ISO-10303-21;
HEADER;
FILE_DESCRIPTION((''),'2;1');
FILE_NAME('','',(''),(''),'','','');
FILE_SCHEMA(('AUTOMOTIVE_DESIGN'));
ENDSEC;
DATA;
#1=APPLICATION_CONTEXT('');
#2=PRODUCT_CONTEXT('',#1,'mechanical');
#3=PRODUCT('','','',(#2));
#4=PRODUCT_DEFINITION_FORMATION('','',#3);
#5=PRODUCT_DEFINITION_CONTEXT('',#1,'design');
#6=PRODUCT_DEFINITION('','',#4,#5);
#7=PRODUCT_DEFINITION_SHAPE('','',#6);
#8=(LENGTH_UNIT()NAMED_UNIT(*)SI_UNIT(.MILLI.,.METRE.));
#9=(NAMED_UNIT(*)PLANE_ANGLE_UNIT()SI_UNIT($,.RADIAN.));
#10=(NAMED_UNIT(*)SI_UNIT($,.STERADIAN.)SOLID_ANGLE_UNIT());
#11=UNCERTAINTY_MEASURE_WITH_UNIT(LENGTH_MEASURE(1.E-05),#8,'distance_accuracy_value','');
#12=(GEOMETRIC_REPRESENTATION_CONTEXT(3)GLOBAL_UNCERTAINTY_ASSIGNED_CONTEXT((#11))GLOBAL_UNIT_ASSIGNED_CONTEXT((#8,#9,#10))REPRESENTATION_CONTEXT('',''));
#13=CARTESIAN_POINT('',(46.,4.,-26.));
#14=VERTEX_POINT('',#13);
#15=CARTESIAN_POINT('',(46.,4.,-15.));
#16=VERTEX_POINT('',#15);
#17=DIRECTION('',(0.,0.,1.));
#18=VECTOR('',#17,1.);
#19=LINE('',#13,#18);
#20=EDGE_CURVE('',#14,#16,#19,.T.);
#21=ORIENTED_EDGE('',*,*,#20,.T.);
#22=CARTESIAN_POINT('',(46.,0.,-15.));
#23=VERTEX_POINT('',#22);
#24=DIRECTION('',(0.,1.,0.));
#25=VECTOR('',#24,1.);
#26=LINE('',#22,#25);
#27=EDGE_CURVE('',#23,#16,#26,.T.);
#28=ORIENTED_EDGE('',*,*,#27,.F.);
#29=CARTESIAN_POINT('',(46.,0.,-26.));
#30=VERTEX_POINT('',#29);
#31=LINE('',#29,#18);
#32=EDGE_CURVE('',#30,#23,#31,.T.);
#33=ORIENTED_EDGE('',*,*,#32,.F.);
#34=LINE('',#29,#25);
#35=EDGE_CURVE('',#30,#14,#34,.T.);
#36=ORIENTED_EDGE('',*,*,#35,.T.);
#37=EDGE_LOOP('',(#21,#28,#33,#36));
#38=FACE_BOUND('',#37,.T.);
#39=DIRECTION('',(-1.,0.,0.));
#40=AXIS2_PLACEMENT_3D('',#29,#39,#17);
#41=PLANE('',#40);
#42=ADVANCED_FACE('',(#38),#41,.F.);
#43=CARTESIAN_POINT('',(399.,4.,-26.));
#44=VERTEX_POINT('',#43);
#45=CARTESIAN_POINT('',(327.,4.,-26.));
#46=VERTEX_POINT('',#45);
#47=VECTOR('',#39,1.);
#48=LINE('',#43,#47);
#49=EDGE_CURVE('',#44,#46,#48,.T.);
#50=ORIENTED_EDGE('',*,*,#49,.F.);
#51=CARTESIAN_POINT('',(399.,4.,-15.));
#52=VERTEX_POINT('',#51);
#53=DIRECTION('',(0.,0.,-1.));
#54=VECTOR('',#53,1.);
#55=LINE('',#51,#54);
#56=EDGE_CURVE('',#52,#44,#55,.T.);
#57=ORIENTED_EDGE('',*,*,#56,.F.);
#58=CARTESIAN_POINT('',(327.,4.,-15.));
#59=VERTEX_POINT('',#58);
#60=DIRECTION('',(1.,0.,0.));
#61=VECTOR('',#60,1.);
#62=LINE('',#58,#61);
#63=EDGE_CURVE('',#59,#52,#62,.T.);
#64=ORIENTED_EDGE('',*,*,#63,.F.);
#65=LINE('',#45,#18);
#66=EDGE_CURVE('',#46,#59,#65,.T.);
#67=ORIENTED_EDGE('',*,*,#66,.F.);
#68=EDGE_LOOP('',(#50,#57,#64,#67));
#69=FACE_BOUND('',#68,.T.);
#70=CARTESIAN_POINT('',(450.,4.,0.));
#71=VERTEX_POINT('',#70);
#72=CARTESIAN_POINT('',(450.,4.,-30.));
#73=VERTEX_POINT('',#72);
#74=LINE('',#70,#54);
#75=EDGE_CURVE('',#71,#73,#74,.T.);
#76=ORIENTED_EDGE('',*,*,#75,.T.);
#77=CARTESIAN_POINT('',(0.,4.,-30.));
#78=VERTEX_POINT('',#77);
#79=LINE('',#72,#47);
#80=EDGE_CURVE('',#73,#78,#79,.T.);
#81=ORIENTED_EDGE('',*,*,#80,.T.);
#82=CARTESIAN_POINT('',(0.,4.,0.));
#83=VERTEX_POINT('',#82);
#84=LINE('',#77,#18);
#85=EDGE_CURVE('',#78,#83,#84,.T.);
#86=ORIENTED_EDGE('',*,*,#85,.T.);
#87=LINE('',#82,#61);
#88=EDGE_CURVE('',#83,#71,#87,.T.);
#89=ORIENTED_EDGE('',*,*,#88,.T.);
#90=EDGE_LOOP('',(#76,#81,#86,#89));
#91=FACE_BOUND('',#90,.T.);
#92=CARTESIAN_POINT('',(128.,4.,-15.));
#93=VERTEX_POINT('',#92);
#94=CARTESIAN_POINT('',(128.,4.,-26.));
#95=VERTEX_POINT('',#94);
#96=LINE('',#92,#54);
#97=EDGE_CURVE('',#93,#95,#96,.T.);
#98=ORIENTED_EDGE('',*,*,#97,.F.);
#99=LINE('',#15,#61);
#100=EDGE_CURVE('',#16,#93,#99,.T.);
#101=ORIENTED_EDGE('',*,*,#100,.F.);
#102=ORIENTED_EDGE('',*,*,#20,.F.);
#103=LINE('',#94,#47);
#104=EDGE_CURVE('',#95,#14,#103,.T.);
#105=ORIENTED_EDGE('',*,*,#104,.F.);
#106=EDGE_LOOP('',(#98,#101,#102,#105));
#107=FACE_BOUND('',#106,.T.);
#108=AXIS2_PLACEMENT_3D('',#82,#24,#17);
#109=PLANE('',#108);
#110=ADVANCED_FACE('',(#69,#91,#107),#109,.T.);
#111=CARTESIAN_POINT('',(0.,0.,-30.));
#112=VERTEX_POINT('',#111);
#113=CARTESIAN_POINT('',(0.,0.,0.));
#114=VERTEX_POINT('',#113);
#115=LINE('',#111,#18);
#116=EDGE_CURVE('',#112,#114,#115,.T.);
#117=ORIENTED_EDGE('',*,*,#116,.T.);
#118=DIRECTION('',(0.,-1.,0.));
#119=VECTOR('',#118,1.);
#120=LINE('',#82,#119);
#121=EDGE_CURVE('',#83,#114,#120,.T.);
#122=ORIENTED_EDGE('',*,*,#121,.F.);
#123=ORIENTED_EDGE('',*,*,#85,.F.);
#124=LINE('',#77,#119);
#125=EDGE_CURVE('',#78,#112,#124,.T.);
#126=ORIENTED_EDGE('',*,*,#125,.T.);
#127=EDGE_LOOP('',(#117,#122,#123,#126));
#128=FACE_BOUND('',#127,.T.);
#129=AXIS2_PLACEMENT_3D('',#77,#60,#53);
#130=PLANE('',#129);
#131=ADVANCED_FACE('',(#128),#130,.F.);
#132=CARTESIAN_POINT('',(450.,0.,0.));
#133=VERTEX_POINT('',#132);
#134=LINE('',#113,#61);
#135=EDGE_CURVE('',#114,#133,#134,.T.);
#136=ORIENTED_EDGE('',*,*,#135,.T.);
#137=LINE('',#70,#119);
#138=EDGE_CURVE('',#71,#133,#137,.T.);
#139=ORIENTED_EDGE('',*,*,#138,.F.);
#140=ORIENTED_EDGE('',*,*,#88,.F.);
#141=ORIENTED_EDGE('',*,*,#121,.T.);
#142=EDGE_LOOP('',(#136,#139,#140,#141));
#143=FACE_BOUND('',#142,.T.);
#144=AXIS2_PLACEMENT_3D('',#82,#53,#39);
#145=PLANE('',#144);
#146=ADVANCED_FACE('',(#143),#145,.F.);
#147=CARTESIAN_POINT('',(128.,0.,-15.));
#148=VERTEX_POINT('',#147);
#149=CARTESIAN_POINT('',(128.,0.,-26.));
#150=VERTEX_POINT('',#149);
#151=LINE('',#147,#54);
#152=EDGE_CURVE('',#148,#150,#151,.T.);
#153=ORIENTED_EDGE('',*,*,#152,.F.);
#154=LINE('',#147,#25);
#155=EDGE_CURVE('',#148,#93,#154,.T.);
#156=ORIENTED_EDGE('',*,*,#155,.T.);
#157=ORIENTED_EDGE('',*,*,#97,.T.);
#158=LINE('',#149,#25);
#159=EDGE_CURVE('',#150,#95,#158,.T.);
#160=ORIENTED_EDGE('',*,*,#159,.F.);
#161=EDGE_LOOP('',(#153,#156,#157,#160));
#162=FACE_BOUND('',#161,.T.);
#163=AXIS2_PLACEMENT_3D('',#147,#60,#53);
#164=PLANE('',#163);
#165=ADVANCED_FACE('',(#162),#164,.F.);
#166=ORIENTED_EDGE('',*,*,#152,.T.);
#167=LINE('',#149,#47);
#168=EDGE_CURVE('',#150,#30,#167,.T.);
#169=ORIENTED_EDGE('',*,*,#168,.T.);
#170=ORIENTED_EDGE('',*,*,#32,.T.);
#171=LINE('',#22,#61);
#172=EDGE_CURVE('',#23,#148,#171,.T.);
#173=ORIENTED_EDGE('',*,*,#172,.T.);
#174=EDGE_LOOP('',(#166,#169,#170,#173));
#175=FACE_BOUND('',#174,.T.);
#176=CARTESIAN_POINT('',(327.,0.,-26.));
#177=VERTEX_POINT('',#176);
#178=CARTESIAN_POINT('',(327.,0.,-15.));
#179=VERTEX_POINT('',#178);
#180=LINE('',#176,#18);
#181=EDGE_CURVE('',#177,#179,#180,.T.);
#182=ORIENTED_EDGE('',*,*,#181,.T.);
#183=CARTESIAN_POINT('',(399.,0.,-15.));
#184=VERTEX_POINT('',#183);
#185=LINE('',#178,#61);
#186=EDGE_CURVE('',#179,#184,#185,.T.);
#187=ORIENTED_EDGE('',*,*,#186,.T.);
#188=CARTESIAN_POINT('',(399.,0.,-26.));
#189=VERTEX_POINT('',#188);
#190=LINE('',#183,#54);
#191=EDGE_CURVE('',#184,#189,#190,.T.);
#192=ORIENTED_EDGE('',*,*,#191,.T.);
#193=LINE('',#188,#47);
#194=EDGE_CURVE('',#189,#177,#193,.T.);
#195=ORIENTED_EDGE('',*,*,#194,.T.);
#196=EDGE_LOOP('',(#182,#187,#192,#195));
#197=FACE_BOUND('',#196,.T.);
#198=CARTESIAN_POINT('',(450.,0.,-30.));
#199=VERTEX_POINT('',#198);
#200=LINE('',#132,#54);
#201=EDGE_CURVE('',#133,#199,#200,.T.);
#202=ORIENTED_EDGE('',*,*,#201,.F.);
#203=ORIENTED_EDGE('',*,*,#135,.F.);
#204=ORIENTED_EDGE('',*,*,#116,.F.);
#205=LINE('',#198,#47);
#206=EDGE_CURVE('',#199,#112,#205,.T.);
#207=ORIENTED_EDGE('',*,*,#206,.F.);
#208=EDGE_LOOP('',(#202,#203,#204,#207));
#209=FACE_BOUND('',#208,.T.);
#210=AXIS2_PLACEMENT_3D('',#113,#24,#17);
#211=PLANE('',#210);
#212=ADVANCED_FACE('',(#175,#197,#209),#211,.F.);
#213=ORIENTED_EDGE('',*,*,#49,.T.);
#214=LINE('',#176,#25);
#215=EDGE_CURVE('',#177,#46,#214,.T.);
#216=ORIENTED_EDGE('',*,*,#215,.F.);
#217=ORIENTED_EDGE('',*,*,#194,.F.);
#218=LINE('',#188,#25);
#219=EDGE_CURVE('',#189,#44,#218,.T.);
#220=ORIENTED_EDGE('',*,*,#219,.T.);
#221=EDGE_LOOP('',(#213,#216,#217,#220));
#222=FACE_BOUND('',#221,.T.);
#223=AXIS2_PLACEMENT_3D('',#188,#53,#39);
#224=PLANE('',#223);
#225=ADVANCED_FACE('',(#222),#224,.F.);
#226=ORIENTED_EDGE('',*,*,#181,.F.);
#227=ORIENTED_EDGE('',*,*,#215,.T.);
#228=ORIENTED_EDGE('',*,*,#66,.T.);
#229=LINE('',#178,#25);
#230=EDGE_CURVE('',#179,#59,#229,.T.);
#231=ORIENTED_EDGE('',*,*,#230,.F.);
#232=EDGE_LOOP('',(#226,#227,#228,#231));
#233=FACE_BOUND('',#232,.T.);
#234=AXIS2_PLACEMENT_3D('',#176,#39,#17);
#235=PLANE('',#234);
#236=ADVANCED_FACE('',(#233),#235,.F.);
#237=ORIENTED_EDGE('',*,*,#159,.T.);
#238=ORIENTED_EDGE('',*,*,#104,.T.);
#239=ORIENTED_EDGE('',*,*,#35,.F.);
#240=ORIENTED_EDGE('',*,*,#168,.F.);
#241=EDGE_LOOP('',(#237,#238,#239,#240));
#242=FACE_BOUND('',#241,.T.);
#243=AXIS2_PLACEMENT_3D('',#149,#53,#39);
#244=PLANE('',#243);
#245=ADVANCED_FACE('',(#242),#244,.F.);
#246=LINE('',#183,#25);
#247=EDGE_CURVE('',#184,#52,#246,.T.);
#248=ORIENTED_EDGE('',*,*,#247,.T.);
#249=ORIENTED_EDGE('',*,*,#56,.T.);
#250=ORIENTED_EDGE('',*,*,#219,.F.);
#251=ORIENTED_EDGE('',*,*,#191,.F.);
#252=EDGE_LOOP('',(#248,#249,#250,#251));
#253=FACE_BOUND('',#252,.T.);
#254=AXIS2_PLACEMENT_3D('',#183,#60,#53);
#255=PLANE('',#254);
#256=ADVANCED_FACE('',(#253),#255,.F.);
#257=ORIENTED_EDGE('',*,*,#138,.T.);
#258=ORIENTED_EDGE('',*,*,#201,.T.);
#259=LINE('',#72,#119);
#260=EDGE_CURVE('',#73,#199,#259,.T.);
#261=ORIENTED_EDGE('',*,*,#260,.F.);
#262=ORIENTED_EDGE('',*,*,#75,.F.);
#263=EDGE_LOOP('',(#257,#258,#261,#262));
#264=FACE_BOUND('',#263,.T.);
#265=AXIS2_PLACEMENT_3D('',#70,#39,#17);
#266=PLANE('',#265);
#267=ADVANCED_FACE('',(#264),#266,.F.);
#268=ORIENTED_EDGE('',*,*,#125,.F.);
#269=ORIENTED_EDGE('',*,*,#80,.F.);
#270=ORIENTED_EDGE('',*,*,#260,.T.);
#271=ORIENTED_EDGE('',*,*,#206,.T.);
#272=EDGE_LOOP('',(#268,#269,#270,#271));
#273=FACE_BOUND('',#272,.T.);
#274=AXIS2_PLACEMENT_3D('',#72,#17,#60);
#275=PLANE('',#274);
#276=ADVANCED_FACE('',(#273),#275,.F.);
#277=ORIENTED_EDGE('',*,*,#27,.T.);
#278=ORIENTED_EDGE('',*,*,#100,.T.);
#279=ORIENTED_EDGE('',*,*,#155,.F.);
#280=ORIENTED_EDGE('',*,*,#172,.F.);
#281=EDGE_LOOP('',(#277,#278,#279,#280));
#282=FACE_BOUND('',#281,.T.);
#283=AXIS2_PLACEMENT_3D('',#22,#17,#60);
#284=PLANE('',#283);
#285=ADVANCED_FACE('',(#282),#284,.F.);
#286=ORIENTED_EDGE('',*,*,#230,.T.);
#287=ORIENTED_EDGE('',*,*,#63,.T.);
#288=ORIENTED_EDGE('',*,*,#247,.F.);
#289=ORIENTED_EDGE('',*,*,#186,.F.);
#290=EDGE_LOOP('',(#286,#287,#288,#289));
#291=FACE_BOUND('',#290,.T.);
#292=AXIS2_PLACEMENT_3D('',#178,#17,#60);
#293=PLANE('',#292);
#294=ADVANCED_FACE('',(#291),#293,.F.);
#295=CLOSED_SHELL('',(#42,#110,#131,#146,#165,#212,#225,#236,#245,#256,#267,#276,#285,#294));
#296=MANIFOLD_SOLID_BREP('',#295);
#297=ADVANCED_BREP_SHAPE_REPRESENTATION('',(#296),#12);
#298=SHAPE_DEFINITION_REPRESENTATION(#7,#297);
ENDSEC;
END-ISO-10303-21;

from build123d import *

# Parameters (mm, degrees)
SKETCH_1_W          = 450
SKETCH_1_H          = 30
EXTRUDE_1_DEPTH     = 4
SKETCH_2_W          = 82
SKETCH_2_H          = 11
SKETCH_2_W_2        = 72
CUT_EXTRUDE_1_DEPTH = 452.016629405


with BuildPart() as part:
    # 草圖1 → 填料-伸長1 (new body)
    with BuildSketch(Plane(origin=(0, 0, 0), x_dir=(1, 0, 0), z_dir=(0, 1, 0))):
        with Locations((225, 15)):
            Rectangle(SKETCH_1_W, SKETCH_1_H)
    extrude(amount=EXTRUDE_1_DEPTH)

    # 草圖2 → 除料-伸長1 (cut, through all)
    with BuildSketch(Plane(origin=(0, 4, 0), x_dir=(1, 0, 0), z_dir=(0, 1, 0))):
        with Locations((87, 20.5)):
            Rectangle(SKETCH_2_W, SKETCH_2_H)
        with Locations((363, 20.5)):
            Rectangle(SKETCH_2_W_2, SKETCH_2_H)
    extrude(amount=-CUT_EXTRUDE_1_DEPTH, mode=Mode.SUBTRACT)


solid = part.part
